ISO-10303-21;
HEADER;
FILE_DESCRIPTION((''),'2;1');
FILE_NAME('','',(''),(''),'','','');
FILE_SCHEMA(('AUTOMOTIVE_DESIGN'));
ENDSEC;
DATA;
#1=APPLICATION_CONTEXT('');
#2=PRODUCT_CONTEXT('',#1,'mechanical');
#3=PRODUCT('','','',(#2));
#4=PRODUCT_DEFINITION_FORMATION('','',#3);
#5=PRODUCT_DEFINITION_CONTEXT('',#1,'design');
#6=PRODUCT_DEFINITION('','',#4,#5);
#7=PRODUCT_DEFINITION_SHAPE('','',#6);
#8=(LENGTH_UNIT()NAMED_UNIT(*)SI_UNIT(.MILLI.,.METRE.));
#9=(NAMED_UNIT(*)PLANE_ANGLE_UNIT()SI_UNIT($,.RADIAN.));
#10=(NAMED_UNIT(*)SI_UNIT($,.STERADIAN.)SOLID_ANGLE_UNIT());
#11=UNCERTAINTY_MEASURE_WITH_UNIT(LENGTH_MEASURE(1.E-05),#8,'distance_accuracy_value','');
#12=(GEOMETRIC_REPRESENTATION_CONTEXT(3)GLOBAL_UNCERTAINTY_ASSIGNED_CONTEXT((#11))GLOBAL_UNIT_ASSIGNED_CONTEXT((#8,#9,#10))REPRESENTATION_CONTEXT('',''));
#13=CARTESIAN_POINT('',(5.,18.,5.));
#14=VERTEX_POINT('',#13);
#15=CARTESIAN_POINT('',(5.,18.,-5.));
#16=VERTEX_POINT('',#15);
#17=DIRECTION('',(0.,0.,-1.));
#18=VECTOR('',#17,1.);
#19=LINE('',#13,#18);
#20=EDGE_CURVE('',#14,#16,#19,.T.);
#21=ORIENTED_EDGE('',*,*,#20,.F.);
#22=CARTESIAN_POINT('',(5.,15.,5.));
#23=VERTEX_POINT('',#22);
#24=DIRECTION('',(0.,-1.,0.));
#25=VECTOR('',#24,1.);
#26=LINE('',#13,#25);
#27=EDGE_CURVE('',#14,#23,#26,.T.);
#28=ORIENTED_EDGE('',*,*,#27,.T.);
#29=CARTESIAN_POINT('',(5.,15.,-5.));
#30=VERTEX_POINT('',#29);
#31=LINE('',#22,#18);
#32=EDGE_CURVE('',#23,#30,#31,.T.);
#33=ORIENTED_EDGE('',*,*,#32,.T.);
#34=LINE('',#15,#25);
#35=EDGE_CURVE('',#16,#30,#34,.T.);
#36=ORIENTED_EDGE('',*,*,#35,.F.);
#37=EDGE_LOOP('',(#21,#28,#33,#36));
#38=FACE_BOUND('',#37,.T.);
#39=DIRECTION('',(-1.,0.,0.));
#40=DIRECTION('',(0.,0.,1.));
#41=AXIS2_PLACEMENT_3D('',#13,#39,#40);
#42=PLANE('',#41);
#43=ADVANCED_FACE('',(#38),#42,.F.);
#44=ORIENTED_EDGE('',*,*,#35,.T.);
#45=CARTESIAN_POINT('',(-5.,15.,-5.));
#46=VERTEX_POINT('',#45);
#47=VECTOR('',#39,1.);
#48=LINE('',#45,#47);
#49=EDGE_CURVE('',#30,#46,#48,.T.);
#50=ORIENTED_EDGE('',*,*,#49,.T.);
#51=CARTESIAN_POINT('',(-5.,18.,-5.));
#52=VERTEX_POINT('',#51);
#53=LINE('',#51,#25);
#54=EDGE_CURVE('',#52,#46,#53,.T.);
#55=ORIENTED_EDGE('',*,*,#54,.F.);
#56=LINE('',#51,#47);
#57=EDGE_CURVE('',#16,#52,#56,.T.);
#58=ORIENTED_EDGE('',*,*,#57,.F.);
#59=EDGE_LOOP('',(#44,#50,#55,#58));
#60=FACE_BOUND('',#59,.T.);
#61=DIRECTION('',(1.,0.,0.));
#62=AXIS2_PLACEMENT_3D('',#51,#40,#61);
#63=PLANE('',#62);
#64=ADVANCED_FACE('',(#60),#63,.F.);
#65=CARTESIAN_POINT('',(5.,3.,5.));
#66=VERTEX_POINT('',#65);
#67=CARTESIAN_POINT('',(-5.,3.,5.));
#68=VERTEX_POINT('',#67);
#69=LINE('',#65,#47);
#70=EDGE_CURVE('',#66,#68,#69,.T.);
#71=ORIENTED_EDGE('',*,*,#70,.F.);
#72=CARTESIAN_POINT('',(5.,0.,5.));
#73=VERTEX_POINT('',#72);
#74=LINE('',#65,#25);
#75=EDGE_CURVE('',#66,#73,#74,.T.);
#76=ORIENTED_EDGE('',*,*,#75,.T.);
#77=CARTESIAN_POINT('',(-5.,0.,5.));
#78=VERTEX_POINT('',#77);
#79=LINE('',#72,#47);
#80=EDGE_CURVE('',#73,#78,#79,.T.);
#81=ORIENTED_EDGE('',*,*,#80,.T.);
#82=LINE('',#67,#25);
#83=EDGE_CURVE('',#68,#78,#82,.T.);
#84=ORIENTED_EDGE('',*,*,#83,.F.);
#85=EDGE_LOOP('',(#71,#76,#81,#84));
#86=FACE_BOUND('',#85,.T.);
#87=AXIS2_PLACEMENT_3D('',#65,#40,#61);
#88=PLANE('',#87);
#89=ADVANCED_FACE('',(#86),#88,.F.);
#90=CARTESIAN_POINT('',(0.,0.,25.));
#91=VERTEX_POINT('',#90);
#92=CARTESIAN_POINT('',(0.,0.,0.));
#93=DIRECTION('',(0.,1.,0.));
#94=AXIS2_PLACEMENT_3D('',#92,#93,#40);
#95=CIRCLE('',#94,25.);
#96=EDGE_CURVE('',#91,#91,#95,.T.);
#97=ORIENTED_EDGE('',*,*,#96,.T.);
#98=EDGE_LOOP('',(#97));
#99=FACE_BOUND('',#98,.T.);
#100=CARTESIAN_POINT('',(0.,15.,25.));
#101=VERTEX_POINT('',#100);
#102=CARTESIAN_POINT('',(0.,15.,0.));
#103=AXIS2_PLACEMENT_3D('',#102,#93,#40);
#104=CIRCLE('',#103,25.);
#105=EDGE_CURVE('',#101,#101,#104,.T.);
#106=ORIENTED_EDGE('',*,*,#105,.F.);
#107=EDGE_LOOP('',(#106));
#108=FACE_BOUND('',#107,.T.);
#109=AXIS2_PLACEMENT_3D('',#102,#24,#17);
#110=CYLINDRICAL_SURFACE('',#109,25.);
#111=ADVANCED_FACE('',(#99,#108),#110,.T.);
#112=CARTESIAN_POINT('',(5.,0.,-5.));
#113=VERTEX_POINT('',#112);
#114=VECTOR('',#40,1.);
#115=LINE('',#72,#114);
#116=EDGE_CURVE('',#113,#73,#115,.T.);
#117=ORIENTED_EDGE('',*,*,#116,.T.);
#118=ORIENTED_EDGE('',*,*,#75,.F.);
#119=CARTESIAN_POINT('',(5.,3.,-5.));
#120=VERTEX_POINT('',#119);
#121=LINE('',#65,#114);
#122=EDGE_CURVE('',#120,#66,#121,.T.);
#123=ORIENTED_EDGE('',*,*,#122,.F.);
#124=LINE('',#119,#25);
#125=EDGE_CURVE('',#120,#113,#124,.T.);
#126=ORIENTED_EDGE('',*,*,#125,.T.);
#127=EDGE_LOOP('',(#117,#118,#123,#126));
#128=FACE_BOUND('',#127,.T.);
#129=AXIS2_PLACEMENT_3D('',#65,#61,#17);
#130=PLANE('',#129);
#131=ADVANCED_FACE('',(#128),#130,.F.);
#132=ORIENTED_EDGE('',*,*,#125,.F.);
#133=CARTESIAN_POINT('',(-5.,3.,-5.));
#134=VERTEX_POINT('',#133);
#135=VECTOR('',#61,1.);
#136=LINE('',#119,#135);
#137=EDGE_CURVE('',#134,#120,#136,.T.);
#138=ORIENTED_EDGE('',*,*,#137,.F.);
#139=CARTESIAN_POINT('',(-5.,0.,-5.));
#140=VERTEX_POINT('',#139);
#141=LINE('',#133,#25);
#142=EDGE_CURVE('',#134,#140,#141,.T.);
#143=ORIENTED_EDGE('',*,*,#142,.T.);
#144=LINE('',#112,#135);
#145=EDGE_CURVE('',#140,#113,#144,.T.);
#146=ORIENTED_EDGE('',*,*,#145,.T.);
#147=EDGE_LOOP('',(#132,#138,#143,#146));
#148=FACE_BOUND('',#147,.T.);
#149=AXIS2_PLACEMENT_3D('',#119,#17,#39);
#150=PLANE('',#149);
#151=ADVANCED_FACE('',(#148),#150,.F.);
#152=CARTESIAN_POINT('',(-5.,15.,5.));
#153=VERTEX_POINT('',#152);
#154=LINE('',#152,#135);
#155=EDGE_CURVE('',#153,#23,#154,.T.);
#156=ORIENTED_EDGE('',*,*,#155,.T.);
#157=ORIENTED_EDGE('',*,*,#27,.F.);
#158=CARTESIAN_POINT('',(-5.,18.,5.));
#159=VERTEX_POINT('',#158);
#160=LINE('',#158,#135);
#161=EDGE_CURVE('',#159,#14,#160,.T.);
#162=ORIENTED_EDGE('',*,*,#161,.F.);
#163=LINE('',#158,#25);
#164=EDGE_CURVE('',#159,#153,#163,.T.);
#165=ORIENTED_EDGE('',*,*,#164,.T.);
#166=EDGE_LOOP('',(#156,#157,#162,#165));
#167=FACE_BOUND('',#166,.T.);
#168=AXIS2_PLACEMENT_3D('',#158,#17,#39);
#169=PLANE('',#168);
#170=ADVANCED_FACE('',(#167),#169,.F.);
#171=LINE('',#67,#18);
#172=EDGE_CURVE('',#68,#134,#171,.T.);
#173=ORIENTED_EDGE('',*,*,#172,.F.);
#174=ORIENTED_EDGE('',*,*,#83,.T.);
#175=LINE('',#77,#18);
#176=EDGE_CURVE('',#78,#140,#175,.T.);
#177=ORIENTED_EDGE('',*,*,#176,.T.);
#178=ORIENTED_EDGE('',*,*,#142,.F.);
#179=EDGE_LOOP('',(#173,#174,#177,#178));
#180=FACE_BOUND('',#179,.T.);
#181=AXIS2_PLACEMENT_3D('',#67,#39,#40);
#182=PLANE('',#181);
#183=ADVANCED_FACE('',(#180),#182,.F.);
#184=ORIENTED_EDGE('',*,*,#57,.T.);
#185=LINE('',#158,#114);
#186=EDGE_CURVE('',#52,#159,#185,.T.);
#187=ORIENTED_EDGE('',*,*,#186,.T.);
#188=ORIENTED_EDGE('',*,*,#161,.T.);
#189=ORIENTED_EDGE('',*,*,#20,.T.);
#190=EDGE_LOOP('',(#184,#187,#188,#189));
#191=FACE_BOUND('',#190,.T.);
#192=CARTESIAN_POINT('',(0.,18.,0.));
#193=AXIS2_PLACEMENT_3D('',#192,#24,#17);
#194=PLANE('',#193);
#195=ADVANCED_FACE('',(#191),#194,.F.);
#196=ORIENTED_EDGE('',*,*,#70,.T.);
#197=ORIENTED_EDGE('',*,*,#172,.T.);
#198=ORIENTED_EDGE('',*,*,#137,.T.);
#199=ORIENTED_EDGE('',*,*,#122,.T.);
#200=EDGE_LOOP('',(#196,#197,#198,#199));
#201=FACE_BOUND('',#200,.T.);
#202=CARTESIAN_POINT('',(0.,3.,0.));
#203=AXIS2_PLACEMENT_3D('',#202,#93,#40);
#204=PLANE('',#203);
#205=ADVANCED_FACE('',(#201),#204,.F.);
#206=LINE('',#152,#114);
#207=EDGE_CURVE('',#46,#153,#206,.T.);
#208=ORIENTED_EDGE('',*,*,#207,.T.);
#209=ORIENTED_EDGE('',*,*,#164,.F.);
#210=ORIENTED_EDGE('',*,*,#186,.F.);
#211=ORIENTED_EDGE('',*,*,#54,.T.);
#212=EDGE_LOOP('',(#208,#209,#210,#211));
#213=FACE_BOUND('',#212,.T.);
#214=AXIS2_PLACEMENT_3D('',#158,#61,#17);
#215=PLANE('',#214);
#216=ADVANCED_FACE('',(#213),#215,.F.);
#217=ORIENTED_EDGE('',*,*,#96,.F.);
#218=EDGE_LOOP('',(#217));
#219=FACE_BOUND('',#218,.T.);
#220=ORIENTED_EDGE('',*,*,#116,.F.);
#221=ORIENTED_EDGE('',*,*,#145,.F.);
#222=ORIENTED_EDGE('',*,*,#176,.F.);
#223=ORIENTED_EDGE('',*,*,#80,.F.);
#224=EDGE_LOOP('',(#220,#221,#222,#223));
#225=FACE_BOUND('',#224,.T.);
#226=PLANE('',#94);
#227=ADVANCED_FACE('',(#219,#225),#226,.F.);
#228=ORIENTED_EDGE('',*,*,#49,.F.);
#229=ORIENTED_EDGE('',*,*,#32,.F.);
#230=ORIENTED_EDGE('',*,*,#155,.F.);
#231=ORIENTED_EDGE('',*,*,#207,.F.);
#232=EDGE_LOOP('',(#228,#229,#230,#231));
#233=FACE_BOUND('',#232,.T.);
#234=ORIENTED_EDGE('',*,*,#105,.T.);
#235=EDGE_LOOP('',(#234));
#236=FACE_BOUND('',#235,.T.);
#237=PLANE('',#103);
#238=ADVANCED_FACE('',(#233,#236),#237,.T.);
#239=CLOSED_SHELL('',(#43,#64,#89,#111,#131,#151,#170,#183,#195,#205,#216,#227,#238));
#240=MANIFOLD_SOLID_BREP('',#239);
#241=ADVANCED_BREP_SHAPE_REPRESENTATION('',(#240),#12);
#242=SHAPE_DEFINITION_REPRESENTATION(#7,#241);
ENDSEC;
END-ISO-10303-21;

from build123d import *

# Parameters (mm, degrees)
SKETCH1_R           = 25
BOSS_EXTRUDE1_DEPTH = 15
SKETCH2_W           = 10
SKETCH2_H           = 10
BOSS_EXTRUDE2_DEPTH = 3
SKETCH3_W           = 10
SKETCH3_H           = 10
CUT_EXTRUDE1_DEPTH  = 3


with BuildPart() as part:
    # Sketch1 → Boss-Extrude1 (new body)
    with BuildSketch(Plane(origin=(0, 0, 0), x_dir=(1, 0, 0), z_dir=(0, 1, 0))):
        with Locations(Location((0, 0, 0), (0, 0, 270))):
            Circle(SKETCH1_R)
    extrude(amount=BOSS_EXTRUDE1_DEPTH)

    # Sketch2 → Boss-Extrude2 (add)
    with BuildSketch(Plane(origin=(0, 15, 0), x_dir=(1, 0, 0), z_dir=(0, 1, 0))):
        Rectangle(SKETCH2_W, SKETCH2_H)
    extrude(amount=BOSS_EXTRUDE2_DEPTH)

    # Sketch3 → Cut-Extrude1 (cut)
    with BuildSketch(Plane.XZ):
        Rectangle(SKETCH3_W, SKETCH3_H)
    extrude(amount=-CUT_EXTRUDE1_DEPTH, mode=Mode.SUBTRACT)


solid = part.part
